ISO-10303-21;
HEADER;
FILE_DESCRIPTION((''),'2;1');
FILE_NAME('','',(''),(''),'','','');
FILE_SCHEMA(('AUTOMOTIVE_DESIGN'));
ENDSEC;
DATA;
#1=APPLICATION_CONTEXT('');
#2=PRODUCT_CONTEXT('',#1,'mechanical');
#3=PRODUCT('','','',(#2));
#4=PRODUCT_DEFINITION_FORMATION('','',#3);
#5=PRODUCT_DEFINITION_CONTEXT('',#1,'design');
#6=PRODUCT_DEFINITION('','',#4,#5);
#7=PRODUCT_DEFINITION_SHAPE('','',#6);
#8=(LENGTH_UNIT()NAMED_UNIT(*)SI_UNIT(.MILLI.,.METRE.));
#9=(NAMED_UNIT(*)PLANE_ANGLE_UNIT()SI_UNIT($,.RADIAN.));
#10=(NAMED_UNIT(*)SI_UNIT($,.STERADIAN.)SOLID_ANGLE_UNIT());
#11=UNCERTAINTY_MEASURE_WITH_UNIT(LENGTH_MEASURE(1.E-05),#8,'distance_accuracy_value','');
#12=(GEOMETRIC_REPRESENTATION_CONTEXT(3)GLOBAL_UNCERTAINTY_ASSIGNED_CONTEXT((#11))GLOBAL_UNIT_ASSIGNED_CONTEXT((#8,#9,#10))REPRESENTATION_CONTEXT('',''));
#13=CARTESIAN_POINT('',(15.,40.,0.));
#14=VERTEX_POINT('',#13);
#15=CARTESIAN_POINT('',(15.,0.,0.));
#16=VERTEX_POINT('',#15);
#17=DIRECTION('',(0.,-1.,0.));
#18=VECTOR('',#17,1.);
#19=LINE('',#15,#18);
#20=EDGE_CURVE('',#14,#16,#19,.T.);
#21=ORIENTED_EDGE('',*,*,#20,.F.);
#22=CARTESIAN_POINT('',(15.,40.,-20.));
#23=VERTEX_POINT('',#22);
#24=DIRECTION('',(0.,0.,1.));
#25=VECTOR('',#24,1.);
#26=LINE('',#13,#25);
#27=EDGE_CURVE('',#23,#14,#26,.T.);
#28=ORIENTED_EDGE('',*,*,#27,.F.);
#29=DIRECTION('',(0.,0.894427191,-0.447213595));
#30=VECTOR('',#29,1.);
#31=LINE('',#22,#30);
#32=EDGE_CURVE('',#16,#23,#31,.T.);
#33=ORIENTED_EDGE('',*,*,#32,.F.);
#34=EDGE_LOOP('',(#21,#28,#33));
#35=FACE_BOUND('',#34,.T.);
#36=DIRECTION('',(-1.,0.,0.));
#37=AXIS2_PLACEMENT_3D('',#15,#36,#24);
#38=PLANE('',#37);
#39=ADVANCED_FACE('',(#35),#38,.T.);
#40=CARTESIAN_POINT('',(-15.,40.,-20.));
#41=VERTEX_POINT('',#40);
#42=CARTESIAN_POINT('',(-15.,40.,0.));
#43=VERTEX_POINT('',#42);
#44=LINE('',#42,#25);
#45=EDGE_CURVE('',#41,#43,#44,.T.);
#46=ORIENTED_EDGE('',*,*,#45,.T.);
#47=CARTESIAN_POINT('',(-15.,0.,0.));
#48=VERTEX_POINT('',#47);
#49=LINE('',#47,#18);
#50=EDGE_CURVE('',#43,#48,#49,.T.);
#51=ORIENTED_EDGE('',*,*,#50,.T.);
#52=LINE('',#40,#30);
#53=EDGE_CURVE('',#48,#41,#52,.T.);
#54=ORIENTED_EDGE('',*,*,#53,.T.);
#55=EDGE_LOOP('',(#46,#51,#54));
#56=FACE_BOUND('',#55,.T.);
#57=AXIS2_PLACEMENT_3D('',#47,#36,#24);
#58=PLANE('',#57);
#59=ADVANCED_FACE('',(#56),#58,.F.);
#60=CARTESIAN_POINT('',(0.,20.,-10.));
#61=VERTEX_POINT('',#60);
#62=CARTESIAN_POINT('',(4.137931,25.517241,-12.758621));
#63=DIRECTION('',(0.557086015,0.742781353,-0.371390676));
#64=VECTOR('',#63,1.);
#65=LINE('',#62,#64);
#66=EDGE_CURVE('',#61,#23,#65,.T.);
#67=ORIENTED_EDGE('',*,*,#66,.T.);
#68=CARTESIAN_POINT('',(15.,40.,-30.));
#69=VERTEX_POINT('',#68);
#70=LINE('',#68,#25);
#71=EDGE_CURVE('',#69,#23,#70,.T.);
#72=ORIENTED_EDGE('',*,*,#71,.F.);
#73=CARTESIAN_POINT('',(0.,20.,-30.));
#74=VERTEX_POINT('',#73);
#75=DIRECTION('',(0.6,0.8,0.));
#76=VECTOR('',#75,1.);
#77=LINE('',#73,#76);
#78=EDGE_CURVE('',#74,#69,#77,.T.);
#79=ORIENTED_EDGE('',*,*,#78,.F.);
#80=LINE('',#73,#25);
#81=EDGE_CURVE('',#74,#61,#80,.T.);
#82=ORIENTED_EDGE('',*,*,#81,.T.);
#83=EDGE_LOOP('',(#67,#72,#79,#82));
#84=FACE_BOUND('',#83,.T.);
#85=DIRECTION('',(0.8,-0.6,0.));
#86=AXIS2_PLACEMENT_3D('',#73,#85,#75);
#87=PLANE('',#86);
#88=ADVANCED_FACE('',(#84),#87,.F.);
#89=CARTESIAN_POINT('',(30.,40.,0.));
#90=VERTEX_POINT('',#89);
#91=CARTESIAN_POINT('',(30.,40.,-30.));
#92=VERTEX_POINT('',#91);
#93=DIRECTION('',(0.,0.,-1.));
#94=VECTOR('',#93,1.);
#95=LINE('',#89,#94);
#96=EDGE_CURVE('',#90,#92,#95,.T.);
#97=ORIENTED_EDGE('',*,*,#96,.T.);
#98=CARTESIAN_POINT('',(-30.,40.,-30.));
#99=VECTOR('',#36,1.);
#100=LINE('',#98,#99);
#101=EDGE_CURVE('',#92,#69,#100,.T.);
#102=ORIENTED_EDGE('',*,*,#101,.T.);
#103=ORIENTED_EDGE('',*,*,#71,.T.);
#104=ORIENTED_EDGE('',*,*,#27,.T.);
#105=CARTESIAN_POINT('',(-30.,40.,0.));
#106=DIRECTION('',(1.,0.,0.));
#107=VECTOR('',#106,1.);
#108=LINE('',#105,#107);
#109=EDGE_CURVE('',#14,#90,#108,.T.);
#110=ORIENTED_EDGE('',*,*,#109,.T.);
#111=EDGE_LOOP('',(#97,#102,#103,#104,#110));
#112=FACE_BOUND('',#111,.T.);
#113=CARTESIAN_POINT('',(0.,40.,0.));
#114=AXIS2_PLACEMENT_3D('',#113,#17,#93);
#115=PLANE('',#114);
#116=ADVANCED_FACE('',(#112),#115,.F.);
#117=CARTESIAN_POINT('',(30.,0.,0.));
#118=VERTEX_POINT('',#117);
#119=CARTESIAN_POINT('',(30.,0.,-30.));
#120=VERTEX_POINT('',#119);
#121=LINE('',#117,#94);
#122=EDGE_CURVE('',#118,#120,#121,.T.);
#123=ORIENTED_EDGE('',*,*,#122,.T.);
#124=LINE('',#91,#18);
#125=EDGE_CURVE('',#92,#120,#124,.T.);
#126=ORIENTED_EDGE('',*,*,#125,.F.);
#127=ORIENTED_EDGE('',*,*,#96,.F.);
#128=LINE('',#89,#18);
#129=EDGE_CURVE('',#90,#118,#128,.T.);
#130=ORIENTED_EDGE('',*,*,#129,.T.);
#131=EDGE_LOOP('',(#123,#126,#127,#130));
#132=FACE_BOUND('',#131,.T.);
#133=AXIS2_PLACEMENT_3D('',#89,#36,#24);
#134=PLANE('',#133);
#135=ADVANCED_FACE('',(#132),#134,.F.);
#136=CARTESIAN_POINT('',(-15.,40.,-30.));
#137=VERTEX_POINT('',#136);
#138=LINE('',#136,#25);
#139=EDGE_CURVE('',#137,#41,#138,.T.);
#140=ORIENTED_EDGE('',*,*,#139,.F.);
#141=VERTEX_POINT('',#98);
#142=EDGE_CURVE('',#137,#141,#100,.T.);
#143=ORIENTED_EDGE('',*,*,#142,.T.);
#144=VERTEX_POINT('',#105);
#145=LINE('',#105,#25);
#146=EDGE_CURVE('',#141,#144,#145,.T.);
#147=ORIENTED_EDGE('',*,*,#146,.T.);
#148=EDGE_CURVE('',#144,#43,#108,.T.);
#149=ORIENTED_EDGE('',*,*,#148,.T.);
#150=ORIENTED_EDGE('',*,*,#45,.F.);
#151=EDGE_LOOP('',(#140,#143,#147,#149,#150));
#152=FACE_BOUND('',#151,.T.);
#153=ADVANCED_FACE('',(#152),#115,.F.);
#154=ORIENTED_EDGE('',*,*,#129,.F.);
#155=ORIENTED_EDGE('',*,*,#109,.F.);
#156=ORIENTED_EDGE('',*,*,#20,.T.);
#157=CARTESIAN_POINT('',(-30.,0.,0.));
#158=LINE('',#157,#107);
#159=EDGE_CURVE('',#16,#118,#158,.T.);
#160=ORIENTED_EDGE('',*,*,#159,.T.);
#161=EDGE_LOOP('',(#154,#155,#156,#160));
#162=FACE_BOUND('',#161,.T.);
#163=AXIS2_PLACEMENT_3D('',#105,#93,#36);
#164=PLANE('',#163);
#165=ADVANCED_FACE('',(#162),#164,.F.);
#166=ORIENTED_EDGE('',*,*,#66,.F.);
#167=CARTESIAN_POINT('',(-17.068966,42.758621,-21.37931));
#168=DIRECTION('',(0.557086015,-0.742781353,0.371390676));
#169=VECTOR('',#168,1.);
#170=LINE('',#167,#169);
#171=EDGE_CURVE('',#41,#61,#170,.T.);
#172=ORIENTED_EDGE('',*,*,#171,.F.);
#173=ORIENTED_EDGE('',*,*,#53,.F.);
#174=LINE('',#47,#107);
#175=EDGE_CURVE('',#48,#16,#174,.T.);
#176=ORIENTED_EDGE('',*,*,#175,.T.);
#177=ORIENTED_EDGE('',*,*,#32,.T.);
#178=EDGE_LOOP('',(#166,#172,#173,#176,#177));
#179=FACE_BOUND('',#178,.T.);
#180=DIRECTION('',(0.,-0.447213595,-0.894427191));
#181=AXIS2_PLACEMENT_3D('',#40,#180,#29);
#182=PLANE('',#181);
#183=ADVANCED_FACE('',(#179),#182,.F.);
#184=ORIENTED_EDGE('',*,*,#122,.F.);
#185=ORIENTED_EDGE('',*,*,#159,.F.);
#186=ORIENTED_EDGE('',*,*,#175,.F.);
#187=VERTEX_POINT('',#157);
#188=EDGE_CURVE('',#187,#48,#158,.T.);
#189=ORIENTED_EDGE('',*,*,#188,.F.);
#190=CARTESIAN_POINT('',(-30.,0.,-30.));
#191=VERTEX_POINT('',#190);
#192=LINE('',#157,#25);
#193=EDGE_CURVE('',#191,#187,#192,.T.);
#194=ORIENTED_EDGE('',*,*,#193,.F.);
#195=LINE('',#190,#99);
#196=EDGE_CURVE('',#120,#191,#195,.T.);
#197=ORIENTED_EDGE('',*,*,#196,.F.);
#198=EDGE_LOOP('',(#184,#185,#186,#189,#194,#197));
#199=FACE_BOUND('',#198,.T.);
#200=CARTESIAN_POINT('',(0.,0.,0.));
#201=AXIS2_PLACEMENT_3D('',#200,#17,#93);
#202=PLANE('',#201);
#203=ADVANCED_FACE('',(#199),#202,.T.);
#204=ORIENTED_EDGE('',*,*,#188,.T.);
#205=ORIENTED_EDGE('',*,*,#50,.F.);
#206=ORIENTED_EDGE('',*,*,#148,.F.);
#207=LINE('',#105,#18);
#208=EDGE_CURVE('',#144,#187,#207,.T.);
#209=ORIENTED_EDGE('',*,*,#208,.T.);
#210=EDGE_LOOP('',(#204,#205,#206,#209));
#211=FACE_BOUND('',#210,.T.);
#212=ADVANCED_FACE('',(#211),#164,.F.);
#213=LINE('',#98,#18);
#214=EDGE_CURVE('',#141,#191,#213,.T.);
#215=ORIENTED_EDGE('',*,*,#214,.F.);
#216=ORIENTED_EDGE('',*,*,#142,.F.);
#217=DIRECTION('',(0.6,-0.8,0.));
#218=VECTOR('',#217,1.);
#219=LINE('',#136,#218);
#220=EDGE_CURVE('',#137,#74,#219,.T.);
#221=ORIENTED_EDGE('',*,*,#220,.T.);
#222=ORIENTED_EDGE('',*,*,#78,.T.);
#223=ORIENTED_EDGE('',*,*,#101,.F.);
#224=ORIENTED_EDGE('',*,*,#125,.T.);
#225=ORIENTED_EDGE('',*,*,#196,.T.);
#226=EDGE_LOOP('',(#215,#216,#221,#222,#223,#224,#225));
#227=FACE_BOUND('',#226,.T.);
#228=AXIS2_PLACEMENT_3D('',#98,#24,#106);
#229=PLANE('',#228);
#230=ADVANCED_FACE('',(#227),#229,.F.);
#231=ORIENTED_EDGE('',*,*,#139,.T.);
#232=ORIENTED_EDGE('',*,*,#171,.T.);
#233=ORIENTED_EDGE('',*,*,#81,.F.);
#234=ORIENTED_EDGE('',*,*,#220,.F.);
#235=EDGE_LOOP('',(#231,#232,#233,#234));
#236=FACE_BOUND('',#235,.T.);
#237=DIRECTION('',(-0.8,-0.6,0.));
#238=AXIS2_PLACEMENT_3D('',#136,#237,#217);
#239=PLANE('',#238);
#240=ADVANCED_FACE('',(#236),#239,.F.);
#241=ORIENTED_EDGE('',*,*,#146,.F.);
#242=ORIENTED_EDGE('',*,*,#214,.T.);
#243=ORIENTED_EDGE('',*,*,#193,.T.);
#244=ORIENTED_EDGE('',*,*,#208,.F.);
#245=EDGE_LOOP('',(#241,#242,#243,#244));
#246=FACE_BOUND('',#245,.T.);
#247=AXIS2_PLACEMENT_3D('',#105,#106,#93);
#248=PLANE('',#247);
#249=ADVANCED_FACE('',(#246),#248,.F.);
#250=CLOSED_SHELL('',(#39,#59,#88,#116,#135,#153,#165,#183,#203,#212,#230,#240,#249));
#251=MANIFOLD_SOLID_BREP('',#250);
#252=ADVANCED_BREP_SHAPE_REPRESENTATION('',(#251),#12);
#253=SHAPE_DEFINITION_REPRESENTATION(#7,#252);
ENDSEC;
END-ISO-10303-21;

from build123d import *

# Parameters (mm, degrees)
SKETCH_1_W          = 60
SKETCH_1_H          = 30
EXTRUDE_1_DEPTH     = 40
CUT_EXTRUDE_1_DEPTH = 59.309518948
CUT_EXTRUDE_2_DEPTH = 15


with BuildPart() as part:
    # 草圖1 → 填料-伸長1 (new body)
    with BuildSketch(Plane(origin=(0, 0, 0), x_dir=(1, 0, 0), z_dir=(0, 1, 0))):
        with Locations((0, 15)):
            Rectangle(SKETCH_1_W, SKETCH_1_H)
    extrude(amount=EXTRUDE_1_DEPTH)

    # 草圖3 → 除料-伸長1 (cut, through all)
    with BuildSketch(Plane.XY):
        Polygon((-15, 40), (0, 20), (15, 40), align=None)
    extrude(amount=-CUT_EXTRUDE_1_DEPTH, mode=Mode.SUBTRACT)

    # 草圖4 → 除料-伸長2 (cut, symmetric)
    with BuildSketch(Plane(origin=(0, 0, 0), x_dir=(0, 0, -1), z_dir=(1, 0, 0))):
        Polygon((0, 40), (20, 40), (0, 0), align=None)
    extrude(amount=CUT_EXTRUDE_2_DEPTH, both=True, mode=Mode.SUBTRACT)


solid = part.part
